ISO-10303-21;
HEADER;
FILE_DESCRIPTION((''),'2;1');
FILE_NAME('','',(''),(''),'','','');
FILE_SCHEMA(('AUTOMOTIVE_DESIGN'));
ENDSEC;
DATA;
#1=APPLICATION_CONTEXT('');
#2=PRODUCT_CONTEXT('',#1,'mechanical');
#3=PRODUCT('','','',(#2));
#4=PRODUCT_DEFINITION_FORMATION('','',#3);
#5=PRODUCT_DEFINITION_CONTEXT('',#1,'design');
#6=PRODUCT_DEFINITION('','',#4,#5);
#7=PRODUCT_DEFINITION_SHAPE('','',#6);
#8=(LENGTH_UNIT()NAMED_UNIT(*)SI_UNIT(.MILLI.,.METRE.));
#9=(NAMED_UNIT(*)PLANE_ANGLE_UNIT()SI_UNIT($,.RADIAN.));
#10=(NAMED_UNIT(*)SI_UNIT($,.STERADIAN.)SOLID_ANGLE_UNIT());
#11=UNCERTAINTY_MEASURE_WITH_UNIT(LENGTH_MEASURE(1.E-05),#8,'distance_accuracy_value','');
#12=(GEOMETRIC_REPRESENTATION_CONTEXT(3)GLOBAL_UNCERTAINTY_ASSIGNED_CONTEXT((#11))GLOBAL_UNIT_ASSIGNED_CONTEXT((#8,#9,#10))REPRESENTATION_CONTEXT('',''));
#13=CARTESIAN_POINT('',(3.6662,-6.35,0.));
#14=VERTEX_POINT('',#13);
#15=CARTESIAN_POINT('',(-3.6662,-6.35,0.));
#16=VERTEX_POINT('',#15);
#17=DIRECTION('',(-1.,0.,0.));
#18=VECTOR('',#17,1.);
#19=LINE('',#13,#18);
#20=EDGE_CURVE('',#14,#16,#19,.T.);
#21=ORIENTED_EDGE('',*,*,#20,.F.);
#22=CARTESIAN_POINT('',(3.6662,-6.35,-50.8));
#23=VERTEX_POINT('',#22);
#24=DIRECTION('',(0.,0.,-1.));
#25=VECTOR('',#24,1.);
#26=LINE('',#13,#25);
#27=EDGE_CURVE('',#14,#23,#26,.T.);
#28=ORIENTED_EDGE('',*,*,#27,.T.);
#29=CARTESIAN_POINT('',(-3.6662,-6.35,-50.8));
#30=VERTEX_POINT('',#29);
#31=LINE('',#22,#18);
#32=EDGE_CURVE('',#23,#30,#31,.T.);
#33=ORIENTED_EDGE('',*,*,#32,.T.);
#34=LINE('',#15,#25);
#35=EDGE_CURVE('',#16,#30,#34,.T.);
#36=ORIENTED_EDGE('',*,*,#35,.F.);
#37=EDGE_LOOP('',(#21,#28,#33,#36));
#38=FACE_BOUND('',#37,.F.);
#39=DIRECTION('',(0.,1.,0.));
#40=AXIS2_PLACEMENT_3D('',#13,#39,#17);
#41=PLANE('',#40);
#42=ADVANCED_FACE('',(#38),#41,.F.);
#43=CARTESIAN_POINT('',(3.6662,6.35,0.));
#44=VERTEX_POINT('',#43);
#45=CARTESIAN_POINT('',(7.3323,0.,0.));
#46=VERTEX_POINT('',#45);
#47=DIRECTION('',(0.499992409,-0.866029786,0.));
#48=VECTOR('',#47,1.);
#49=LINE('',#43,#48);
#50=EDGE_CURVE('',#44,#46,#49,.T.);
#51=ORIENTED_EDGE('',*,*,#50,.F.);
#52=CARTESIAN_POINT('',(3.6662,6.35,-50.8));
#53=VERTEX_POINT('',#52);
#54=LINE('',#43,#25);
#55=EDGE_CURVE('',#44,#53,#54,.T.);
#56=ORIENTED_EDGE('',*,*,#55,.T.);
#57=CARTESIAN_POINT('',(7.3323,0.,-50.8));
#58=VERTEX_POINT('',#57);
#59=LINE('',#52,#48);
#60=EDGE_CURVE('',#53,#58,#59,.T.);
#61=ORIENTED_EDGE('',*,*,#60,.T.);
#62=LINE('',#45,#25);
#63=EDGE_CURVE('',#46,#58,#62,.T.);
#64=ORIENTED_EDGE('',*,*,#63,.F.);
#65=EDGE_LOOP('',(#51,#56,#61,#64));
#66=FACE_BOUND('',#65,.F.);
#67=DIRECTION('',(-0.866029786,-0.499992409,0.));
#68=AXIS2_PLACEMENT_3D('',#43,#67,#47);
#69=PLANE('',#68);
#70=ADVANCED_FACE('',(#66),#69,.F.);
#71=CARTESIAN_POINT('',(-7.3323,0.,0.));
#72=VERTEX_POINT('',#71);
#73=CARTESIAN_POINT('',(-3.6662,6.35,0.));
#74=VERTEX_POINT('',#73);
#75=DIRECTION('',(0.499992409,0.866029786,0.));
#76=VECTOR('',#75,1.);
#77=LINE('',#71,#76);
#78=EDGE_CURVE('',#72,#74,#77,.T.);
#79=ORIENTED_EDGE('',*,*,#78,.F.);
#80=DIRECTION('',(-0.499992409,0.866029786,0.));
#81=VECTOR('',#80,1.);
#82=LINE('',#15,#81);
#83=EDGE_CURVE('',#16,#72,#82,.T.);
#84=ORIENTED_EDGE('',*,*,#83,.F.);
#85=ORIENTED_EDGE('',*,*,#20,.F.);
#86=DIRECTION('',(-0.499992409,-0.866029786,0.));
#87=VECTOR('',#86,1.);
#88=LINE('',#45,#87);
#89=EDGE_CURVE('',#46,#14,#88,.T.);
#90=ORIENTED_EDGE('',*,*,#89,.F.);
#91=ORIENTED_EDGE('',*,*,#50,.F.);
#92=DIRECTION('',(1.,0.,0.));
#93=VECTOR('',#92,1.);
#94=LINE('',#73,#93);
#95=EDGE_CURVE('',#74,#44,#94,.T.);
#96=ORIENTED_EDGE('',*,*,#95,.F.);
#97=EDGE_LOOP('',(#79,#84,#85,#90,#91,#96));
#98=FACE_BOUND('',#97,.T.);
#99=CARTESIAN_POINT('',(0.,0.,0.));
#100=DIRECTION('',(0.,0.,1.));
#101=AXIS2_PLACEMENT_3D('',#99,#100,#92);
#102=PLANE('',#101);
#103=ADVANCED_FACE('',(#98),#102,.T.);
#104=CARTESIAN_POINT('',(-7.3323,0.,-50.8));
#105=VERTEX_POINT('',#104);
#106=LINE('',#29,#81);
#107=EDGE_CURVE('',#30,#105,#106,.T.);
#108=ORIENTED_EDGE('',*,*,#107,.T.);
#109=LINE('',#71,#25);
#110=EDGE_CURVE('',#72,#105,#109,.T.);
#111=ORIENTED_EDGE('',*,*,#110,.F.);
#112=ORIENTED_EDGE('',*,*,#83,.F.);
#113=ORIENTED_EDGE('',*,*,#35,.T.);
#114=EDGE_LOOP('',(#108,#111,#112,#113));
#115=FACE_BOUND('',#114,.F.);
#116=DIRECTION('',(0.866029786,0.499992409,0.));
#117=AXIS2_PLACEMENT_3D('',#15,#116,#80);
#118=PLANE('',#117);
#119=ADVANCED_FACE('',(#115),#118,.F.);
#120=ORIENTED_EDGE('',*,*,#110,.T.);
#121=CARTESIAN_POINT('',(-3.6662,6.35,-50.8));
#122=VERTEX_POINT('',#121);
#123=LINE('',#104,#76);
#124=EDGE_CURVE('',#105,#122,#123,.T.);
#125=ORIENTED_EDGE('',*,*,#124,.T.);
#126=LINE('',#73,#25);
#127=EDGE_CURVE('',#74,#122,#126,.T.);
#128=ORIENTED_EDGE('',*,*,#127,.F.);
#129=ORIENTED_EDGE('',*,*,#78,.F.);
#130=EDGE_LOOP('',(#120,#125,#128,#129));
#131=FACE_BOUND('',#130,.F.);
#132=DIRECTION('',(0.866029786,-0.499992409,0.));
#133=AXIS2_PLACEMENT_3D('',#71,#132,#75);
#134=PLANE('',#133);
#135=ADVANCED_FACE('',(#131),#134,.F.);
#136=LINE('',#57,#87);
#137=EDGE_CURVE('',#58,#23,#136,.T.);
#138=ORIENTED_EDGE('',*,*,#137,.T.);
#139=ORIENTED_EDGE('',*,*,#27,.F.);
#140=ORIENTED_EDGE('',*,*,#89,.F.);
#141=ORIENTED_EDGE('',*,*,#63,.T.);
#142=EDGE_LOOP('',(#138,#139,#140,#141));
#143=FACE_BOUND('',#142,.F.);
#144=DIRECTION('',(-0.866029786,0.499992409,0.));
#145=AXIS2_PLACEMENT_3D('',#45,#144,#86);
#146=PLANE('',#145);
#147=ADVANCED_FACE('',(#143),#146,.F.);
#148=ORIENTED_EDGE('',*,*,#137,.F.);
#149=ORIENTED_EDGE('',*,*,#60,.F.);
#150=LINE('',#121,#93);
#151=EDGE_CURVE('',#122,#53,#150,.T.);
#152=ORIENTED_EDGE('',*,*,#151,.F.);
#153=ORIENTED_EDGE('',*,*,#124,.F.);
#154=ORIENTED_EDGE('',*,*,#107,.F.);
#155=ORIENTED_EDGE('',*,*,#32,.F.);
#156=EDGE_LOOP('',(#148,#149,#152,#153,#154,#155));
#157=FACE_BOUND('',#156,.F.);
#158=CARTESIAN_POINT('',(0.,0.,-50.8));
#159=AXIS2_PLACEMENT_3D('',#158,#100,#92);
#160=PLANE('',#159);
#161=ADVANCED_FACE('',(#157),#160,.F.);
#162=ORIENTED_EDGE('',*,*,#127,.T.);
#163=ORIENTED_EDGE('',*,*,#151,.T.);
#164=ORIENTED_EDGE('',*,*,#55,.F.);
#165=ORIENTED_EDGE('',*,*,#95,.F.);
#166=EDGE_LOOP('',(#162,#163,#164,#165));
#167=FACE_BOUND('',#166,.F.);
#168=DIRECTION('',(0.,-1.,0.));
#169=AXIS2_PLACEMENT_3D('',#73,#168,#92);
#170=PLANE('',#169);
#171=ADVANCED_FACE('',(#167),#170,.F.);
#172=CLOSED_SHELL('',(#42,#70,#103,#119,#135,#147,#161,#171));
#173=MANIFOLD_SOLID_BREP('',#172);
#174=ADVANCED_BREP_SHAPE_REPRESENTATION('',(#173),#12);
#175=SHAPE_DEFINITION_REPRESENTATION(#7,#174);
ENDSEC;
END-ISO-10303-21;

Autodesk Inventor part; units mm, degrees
ref_plane "YZ Plane" through (0, 0, 0) normal (1, 0, 0) x (0, 1, 0)
ref_plane "XZ Plane" through (0, 0, 0) normal (0, 1, 0) x (-1, 0, 0)
ref_plane "XY Plane" through (0, 0, 0) normal (0, 0, 1) x (1, 0, 0)
sketch "Sketch1" plane through (0, 0, 0) normal (0, 0, 1) x (1, 0, 0)
  line L0 (7.3323, 0) -> (3.6662, -6.35)
  line L1 (3.6662, -6.35) -> (-3.6662, -6.35)
  line L2 (-3.6662, -6.35) -> (-7.3323, 0)
  line L3 (-7.3323, 0) -> (-3.6662, 6.35)
  line L4 (-3.6662, 6.35) -> (3.6662, 6.35)
  line L5 (3.6662, 6.35) -> (7.3323, 0)
  point P0 (0, 0)
  point P1 (0, 0)
  dimension "d0" = 12.7
extrude "Extrusion1" add sketch "Sketch1" against normal blind 50.8
properties part number "hexShaft"
